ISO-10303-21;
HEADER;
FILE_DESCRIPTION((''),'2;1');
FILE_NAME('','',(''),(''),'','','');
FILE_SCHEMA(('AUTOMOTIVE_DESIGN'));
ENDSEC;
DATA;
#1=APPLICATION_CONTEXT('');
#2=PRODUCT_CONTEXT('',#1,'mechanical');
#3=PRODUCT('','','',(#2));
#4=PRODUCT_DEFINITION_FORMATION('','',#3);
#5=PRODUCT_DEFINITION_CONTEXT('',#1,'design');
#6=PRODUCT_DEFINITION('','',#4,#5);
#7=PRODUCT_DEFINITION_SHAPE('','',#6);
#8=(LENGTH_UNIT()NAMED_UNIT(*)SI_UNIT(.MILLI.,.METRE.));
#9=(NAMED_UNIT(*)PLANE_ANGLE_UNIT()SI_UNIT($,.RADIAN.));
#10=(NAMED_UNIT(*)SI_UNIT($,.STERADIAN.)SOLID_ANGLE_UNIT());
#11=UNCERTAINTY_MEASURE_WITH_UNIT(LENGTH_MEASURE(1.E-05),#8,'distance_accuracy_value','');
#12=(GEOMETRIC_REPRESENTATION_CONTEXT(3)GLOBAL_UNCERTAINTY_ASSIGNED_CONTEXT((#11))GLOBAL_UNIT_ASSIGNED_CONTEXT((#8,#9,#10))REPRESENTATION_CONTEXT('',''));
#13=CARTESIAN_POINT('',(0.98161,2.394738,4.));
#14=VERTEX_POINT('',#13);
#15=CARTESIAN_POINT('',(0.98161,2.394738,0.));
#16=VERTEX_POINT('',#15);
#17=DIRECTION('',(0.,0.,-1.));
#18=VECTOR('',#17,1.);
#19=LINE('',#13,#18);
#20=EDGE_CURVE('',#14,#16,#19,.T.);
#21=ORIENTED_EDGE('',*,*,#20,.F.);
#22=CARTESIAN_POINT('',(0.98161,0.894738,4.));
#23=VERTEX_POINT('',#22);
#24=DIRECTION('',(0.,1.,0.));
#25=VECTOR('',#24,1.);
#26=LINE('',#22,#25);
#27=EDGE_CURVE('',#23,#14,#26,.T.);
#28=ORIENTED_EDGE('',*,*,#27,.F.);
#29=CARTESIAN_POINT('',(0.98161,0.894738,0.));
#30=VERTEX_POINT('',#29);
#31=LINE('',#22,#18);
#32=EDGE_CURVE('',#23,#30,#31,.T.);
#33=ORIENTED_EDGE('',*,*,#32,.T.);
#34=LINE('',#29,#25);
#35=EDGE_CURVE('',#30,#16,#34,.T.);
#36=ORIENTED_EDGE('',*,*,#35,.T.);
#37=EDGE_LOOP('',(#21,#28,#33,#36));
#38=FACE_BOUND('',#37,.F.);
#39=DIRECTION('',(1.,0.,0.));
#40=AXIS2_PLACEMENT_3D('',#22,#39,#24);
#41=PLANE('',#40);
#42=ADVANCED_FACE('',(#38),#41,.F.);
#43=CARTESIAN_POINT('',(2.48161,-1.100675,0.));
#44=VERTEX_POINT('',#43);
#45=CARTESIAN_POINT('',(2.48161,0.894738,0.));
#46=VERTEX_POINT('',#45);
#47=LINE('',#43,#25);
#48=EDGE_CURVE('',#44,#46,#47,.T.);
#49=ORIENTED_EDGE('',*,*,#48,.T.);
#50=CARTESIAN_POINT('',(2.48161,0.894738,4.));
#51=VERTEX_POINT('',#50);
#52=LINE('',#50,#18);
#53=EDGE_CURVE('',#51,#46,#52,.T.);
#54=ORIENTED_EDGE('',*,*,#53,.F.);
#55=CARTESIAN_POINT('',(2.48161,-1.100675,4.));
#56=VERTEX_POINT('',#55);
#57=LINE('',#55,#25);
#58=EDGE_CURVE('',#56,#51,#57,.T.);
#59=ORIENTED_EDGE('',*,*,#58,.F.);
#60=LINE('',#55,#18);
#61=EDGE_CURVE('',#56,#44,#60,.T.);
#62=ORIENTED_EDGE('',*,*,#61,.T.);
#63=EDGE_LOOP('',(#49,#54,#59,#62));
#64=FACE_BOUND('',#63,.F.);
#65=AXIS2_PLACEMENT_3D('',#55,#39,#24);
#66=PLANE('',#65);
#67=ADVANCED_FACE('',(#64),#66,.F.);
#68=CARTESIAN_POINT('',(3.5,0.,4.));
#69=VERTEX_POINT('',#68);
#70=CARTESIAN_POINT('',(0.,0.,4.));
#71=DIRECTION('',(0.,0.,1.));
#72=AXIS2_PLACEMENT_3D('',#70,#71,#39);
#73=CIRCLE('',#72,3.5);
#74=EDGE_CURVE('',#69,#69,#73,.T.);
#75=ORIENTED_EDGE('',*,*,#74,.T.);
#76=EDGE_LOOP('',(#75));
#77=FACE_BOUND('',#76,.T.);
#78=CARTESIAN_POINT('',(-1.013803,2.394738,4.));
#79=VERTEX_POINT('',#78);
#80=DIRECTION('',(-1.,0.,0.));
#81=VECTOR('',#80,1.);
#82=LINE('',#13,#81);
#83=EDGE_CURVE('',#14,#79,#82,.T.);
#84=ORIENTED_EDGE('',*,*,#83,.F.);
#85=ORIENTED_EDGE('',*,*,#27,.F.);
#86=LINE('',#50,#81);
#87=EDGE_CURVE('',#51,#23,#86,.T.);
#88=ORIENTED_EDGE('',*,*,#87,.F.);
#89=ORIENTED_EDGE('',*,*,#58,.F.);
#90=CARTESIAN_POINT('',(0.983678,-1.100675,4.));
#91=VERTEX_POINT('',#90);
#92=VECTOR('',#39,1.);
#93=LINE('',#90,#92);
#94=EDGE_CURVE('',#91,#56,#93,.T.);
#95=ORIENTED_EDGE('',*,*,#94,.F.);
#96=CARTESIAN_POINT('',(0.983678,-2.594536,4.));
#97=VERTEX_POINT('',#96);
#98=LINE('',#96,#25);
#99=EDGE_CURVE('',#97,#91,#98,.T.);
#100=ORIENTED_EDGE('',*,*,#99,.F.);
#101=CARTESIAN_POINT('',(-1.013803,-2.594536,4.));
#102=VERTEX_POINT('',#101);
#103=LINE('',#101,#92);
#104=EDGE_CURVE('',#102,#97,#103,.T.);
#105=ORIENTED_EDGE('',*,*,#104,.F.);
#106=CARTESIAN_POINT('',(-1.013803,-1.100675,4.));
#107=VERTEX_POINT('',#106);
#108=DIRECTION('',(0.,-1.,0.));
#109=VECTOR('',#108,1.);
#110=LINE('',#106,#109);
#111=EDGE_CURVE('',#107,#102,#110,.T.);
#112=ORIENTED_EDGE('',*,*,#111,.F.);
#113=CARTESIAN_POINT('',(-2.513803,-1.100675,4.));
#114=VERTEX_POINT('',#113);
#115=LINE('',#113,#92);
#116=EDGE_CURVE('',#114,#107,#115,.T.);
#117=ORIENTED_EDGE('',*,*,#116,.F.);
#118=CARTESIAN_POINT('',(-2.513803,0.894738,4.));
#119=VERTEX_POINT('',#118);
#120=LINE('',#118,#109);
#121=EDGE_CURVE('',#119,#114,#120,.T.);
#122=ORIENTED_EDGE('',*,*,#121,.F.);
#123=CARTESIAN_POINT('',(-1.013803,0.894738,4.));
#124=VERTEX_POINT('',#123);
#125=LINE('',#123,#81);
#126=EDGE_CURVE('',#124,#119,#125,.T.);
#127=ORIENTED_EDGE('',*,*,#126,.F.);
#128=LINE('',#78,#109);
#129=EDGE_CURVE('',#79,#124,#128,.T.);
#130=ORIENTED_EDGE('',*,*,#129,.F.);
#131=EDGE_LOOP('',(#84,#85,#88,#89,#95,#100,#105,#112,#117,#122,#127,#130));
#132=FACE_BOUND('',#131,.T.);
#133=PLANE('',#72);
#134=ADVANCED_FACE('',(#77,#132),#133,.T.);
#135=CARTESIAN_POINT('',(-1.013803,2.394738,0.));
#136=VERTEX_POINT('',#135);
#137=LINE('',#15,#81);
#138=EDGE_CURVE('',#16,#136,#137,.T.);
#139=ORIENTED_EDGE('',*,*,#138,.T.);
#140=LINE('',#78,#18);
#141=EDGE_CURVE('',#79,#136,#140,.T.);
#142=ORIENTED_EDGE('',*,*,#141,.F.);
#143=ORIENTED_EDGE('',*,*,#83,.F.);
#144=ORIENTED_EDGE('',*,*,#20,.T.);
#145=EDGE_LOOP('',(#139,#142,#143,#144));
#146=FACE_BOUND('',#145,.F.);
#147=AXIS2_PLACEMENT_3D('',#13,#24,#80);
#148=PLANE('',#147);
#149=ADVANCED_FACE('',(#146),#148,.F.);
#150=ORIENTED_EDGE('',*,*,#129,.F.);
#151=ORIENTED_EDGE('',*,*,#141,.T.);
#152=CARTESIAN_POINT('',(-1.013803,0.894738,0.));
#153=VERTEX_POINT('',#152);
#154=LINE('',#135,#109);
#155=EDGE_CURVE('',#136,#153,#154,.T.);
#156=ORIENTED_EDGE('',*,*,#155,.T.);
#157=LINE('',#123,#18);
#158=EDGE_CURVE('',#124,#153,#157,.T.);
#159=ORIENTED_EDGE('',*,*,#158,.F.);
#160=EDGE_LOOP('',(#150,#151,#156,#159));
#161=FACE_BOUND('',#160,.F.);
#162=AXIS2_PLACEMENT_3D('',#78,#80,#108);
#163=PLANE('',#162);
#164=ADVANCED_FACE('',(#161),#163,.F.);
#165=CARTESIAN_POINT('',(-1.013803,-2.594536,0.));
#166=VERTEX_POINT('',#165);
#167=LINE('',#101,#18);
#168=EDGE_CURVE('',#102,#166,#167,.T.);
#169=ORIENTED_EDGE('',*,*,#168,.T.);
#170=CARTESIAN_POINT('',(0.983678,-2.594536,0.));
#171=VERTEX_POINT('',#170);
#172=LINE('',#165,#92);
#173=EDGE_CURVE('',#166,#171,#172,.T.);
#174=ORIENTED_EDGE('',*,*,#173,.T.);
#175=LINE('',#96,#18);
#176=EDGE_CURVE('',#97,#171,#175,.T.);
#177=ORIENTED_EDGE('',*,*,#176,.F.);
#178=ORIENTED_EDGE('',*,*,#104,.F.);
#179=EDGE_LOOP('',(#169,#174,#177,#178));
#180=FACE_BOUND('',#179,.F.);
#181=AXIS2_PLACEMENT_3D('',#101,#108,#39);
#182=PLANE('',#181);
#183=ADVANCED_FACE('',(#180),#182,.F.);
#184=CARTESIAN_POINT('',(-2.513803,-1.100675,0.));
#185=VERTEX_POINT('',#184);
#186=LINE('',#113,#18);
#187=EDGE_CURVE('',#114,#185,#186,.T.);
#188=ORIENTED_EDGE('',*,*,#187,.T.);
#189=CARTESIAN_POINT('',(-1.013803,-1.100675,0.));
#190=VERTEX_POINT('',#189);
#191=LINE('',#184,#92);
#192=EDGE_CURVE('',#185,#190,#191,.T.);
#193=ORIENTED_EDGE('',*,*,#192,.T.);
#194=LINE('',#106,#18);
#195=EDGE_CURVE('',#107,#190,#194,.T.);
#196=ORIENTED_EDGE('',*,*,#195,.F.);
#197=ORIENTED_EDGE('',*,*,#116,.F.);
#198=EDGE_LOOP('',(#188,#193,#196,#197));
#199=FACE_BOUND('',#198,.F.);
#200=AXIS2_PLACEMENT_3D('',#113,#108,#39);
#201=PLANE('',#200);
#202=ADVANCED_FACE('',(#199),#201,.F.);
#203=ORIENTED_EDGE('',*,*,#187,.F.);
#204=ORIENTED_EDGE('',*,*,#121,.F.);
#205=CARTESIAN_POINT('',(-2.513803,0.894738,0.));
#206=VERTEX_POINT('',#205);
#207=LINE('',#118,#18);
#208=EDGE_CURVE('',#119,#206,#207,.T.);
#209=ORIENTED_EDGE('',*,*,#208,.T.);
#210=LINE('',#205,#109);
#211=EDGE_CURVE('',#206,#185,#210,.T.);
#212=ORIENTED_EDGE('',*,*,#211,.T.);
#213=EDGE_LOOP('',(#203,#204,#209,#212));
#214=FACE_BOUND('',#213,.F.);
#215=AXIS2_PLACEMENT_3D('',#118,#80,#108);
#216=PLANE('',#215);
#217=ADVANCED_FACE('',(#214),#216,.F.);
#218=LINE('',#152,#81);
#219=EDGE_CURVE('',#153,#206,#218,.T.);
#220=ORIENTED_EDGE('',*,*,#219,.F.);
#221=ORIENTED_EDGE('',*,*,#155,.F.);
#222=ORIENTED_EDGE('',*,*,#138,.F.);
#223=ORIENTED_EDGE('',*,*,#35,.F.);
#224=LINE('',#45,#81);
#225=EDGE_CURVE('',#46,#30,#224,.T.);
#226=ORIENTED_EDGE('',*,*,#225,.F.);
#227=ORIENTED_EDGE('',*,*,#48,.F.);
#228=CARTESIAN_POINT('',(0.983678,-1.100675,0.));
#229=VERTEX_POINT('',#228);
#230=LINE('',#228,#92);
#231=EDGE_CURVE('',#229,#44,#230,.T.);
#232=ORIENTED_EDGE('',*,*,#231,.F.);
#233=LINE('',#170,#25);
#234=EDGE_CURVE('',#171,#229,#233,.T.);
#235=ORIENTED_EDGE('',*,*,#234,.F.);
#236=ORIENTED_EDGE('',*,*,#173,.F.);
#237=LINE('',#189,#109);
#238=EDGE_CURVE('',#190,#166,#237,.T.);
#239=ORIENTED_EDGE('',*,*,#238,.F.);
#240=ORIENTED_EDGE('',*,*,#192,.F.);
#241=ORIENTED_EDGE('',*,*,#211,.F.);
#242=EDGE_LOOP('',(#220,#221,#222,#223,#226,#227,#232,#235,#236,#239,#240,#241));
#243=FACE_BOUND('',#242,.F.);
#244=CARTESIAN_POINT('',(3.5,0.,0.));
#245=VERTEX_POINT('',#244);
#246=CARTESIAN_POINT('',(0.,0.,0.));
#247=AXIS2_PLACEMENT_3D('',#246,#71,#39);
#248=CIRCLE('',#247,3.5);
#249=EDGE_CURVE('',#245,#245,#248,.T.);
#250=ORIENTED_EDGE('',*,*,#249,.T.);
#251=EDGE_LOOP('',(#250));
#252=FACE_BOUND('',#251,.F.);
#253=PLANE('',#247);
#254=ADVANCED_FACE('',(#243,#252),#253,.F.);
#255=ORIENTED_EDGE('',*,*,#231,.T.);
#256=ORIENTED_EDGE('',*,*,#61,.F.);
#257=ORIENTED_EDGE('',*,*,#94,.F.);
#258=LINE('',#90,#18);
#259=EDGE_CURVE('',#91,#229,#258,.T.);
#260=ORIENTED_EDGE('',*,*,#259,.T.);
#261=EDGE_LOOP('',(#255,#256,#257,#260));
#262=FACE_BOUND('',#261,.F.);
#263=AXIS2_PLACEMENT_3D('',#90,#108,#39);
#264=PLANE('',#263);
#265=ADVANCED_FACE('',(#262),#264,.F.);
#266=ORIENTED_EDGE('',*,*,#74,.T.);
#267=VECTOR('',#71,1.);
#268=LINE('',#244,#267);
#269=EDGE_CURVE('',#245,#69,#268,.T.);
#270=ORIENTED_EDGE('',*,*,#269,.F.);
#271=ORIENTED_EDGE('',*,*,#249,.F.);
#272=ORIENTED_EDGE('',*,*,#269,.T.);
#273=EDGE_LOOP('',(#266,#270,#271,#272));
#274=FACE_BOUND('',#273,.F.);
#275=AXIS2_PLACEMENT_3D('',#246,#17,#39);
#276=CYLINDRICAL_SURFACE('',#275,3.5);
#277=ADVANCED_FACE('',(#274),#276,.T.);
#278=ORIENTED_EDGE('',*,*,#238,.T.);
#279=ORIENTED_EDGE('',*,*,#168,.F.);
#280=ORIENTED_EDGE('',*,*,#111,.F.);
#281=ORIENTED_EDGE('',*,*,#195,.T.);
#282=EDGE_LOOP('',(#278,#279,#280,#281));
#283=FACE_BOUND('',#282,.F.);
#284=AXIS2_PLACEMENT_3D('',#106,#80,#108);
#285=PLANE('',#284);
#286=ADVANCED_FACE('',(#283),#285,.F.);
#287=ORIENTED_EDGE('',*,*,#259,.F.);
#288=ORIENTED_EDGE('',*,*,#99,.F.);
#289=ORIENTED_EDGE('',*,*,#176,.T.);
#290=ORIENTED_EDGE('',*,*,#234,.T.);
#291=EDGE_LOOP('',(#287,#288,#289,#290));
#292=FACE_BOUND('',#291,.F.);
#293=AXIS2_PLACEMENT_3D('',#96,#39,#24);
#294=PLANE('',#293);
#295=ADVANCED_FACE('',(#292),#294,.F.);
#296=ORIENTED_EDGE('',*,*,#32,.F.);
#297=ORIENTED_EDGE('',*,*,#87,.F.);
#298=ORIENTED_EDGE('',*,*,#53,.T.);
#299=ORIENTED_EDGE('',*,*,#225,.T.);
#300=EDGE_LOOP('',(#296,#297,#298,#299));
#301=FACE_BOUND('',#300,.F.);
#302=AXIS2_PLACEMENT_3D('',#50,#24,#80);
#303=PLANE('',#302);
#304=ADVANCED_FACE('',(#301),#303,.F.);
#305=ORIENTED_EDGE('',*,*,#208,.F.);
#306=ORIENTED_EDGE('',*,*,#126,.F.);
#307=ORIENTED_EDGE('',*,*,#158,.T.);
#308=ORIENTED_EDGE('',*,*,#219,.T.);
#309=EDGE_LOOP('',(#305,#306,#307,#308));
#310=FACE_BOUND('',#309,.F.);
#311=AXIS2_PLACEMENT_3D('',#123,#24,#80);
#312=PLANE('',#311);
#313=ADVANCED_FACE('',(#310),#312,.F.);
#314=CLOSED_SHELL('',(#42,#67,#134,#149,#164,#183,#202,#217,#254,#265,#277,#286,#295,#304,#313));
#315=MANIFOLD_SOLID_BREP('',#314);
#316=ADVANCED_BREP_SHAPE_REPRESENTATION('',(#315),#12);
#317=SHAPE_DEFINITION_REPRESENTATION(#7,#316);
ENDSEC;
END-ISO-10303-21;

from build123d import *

# Parameters (mm, degrees)
F0_R     = 3.5
F1_DEPTH = 4
F3_DEPTH = 4


with BuildPart() as f1:
    # F0 (on Top) → F1 (new body)
    with BuildSketch(Plane.XY):
        Circle(F0_R)
    extrude(amount=F1_DEPTH)

    # F2 (on face) → F3 (cut)
    with BuildSketch(Plane.XY.offset(4)):
        Polygon((-0.001765, -2.594536), (0.983678, -2.594536), (0.983678, -1.100675), (2.48161, -1.100675), (2.48161, 0.894738), (0.98161, 0.894738), (0.98161, 2.394738), (-1.013803, 2.394738), (-1.013803, 0.894738), (-2.513803, 0.894738), (-2.513803, -1.100675), (-1.013803, -1.100675), (-1.013803, -2.594536), align=None)
    extrude(amount=-F3_DEPTH, mode=Mode.SUBTRACT)


solid = f1.part
